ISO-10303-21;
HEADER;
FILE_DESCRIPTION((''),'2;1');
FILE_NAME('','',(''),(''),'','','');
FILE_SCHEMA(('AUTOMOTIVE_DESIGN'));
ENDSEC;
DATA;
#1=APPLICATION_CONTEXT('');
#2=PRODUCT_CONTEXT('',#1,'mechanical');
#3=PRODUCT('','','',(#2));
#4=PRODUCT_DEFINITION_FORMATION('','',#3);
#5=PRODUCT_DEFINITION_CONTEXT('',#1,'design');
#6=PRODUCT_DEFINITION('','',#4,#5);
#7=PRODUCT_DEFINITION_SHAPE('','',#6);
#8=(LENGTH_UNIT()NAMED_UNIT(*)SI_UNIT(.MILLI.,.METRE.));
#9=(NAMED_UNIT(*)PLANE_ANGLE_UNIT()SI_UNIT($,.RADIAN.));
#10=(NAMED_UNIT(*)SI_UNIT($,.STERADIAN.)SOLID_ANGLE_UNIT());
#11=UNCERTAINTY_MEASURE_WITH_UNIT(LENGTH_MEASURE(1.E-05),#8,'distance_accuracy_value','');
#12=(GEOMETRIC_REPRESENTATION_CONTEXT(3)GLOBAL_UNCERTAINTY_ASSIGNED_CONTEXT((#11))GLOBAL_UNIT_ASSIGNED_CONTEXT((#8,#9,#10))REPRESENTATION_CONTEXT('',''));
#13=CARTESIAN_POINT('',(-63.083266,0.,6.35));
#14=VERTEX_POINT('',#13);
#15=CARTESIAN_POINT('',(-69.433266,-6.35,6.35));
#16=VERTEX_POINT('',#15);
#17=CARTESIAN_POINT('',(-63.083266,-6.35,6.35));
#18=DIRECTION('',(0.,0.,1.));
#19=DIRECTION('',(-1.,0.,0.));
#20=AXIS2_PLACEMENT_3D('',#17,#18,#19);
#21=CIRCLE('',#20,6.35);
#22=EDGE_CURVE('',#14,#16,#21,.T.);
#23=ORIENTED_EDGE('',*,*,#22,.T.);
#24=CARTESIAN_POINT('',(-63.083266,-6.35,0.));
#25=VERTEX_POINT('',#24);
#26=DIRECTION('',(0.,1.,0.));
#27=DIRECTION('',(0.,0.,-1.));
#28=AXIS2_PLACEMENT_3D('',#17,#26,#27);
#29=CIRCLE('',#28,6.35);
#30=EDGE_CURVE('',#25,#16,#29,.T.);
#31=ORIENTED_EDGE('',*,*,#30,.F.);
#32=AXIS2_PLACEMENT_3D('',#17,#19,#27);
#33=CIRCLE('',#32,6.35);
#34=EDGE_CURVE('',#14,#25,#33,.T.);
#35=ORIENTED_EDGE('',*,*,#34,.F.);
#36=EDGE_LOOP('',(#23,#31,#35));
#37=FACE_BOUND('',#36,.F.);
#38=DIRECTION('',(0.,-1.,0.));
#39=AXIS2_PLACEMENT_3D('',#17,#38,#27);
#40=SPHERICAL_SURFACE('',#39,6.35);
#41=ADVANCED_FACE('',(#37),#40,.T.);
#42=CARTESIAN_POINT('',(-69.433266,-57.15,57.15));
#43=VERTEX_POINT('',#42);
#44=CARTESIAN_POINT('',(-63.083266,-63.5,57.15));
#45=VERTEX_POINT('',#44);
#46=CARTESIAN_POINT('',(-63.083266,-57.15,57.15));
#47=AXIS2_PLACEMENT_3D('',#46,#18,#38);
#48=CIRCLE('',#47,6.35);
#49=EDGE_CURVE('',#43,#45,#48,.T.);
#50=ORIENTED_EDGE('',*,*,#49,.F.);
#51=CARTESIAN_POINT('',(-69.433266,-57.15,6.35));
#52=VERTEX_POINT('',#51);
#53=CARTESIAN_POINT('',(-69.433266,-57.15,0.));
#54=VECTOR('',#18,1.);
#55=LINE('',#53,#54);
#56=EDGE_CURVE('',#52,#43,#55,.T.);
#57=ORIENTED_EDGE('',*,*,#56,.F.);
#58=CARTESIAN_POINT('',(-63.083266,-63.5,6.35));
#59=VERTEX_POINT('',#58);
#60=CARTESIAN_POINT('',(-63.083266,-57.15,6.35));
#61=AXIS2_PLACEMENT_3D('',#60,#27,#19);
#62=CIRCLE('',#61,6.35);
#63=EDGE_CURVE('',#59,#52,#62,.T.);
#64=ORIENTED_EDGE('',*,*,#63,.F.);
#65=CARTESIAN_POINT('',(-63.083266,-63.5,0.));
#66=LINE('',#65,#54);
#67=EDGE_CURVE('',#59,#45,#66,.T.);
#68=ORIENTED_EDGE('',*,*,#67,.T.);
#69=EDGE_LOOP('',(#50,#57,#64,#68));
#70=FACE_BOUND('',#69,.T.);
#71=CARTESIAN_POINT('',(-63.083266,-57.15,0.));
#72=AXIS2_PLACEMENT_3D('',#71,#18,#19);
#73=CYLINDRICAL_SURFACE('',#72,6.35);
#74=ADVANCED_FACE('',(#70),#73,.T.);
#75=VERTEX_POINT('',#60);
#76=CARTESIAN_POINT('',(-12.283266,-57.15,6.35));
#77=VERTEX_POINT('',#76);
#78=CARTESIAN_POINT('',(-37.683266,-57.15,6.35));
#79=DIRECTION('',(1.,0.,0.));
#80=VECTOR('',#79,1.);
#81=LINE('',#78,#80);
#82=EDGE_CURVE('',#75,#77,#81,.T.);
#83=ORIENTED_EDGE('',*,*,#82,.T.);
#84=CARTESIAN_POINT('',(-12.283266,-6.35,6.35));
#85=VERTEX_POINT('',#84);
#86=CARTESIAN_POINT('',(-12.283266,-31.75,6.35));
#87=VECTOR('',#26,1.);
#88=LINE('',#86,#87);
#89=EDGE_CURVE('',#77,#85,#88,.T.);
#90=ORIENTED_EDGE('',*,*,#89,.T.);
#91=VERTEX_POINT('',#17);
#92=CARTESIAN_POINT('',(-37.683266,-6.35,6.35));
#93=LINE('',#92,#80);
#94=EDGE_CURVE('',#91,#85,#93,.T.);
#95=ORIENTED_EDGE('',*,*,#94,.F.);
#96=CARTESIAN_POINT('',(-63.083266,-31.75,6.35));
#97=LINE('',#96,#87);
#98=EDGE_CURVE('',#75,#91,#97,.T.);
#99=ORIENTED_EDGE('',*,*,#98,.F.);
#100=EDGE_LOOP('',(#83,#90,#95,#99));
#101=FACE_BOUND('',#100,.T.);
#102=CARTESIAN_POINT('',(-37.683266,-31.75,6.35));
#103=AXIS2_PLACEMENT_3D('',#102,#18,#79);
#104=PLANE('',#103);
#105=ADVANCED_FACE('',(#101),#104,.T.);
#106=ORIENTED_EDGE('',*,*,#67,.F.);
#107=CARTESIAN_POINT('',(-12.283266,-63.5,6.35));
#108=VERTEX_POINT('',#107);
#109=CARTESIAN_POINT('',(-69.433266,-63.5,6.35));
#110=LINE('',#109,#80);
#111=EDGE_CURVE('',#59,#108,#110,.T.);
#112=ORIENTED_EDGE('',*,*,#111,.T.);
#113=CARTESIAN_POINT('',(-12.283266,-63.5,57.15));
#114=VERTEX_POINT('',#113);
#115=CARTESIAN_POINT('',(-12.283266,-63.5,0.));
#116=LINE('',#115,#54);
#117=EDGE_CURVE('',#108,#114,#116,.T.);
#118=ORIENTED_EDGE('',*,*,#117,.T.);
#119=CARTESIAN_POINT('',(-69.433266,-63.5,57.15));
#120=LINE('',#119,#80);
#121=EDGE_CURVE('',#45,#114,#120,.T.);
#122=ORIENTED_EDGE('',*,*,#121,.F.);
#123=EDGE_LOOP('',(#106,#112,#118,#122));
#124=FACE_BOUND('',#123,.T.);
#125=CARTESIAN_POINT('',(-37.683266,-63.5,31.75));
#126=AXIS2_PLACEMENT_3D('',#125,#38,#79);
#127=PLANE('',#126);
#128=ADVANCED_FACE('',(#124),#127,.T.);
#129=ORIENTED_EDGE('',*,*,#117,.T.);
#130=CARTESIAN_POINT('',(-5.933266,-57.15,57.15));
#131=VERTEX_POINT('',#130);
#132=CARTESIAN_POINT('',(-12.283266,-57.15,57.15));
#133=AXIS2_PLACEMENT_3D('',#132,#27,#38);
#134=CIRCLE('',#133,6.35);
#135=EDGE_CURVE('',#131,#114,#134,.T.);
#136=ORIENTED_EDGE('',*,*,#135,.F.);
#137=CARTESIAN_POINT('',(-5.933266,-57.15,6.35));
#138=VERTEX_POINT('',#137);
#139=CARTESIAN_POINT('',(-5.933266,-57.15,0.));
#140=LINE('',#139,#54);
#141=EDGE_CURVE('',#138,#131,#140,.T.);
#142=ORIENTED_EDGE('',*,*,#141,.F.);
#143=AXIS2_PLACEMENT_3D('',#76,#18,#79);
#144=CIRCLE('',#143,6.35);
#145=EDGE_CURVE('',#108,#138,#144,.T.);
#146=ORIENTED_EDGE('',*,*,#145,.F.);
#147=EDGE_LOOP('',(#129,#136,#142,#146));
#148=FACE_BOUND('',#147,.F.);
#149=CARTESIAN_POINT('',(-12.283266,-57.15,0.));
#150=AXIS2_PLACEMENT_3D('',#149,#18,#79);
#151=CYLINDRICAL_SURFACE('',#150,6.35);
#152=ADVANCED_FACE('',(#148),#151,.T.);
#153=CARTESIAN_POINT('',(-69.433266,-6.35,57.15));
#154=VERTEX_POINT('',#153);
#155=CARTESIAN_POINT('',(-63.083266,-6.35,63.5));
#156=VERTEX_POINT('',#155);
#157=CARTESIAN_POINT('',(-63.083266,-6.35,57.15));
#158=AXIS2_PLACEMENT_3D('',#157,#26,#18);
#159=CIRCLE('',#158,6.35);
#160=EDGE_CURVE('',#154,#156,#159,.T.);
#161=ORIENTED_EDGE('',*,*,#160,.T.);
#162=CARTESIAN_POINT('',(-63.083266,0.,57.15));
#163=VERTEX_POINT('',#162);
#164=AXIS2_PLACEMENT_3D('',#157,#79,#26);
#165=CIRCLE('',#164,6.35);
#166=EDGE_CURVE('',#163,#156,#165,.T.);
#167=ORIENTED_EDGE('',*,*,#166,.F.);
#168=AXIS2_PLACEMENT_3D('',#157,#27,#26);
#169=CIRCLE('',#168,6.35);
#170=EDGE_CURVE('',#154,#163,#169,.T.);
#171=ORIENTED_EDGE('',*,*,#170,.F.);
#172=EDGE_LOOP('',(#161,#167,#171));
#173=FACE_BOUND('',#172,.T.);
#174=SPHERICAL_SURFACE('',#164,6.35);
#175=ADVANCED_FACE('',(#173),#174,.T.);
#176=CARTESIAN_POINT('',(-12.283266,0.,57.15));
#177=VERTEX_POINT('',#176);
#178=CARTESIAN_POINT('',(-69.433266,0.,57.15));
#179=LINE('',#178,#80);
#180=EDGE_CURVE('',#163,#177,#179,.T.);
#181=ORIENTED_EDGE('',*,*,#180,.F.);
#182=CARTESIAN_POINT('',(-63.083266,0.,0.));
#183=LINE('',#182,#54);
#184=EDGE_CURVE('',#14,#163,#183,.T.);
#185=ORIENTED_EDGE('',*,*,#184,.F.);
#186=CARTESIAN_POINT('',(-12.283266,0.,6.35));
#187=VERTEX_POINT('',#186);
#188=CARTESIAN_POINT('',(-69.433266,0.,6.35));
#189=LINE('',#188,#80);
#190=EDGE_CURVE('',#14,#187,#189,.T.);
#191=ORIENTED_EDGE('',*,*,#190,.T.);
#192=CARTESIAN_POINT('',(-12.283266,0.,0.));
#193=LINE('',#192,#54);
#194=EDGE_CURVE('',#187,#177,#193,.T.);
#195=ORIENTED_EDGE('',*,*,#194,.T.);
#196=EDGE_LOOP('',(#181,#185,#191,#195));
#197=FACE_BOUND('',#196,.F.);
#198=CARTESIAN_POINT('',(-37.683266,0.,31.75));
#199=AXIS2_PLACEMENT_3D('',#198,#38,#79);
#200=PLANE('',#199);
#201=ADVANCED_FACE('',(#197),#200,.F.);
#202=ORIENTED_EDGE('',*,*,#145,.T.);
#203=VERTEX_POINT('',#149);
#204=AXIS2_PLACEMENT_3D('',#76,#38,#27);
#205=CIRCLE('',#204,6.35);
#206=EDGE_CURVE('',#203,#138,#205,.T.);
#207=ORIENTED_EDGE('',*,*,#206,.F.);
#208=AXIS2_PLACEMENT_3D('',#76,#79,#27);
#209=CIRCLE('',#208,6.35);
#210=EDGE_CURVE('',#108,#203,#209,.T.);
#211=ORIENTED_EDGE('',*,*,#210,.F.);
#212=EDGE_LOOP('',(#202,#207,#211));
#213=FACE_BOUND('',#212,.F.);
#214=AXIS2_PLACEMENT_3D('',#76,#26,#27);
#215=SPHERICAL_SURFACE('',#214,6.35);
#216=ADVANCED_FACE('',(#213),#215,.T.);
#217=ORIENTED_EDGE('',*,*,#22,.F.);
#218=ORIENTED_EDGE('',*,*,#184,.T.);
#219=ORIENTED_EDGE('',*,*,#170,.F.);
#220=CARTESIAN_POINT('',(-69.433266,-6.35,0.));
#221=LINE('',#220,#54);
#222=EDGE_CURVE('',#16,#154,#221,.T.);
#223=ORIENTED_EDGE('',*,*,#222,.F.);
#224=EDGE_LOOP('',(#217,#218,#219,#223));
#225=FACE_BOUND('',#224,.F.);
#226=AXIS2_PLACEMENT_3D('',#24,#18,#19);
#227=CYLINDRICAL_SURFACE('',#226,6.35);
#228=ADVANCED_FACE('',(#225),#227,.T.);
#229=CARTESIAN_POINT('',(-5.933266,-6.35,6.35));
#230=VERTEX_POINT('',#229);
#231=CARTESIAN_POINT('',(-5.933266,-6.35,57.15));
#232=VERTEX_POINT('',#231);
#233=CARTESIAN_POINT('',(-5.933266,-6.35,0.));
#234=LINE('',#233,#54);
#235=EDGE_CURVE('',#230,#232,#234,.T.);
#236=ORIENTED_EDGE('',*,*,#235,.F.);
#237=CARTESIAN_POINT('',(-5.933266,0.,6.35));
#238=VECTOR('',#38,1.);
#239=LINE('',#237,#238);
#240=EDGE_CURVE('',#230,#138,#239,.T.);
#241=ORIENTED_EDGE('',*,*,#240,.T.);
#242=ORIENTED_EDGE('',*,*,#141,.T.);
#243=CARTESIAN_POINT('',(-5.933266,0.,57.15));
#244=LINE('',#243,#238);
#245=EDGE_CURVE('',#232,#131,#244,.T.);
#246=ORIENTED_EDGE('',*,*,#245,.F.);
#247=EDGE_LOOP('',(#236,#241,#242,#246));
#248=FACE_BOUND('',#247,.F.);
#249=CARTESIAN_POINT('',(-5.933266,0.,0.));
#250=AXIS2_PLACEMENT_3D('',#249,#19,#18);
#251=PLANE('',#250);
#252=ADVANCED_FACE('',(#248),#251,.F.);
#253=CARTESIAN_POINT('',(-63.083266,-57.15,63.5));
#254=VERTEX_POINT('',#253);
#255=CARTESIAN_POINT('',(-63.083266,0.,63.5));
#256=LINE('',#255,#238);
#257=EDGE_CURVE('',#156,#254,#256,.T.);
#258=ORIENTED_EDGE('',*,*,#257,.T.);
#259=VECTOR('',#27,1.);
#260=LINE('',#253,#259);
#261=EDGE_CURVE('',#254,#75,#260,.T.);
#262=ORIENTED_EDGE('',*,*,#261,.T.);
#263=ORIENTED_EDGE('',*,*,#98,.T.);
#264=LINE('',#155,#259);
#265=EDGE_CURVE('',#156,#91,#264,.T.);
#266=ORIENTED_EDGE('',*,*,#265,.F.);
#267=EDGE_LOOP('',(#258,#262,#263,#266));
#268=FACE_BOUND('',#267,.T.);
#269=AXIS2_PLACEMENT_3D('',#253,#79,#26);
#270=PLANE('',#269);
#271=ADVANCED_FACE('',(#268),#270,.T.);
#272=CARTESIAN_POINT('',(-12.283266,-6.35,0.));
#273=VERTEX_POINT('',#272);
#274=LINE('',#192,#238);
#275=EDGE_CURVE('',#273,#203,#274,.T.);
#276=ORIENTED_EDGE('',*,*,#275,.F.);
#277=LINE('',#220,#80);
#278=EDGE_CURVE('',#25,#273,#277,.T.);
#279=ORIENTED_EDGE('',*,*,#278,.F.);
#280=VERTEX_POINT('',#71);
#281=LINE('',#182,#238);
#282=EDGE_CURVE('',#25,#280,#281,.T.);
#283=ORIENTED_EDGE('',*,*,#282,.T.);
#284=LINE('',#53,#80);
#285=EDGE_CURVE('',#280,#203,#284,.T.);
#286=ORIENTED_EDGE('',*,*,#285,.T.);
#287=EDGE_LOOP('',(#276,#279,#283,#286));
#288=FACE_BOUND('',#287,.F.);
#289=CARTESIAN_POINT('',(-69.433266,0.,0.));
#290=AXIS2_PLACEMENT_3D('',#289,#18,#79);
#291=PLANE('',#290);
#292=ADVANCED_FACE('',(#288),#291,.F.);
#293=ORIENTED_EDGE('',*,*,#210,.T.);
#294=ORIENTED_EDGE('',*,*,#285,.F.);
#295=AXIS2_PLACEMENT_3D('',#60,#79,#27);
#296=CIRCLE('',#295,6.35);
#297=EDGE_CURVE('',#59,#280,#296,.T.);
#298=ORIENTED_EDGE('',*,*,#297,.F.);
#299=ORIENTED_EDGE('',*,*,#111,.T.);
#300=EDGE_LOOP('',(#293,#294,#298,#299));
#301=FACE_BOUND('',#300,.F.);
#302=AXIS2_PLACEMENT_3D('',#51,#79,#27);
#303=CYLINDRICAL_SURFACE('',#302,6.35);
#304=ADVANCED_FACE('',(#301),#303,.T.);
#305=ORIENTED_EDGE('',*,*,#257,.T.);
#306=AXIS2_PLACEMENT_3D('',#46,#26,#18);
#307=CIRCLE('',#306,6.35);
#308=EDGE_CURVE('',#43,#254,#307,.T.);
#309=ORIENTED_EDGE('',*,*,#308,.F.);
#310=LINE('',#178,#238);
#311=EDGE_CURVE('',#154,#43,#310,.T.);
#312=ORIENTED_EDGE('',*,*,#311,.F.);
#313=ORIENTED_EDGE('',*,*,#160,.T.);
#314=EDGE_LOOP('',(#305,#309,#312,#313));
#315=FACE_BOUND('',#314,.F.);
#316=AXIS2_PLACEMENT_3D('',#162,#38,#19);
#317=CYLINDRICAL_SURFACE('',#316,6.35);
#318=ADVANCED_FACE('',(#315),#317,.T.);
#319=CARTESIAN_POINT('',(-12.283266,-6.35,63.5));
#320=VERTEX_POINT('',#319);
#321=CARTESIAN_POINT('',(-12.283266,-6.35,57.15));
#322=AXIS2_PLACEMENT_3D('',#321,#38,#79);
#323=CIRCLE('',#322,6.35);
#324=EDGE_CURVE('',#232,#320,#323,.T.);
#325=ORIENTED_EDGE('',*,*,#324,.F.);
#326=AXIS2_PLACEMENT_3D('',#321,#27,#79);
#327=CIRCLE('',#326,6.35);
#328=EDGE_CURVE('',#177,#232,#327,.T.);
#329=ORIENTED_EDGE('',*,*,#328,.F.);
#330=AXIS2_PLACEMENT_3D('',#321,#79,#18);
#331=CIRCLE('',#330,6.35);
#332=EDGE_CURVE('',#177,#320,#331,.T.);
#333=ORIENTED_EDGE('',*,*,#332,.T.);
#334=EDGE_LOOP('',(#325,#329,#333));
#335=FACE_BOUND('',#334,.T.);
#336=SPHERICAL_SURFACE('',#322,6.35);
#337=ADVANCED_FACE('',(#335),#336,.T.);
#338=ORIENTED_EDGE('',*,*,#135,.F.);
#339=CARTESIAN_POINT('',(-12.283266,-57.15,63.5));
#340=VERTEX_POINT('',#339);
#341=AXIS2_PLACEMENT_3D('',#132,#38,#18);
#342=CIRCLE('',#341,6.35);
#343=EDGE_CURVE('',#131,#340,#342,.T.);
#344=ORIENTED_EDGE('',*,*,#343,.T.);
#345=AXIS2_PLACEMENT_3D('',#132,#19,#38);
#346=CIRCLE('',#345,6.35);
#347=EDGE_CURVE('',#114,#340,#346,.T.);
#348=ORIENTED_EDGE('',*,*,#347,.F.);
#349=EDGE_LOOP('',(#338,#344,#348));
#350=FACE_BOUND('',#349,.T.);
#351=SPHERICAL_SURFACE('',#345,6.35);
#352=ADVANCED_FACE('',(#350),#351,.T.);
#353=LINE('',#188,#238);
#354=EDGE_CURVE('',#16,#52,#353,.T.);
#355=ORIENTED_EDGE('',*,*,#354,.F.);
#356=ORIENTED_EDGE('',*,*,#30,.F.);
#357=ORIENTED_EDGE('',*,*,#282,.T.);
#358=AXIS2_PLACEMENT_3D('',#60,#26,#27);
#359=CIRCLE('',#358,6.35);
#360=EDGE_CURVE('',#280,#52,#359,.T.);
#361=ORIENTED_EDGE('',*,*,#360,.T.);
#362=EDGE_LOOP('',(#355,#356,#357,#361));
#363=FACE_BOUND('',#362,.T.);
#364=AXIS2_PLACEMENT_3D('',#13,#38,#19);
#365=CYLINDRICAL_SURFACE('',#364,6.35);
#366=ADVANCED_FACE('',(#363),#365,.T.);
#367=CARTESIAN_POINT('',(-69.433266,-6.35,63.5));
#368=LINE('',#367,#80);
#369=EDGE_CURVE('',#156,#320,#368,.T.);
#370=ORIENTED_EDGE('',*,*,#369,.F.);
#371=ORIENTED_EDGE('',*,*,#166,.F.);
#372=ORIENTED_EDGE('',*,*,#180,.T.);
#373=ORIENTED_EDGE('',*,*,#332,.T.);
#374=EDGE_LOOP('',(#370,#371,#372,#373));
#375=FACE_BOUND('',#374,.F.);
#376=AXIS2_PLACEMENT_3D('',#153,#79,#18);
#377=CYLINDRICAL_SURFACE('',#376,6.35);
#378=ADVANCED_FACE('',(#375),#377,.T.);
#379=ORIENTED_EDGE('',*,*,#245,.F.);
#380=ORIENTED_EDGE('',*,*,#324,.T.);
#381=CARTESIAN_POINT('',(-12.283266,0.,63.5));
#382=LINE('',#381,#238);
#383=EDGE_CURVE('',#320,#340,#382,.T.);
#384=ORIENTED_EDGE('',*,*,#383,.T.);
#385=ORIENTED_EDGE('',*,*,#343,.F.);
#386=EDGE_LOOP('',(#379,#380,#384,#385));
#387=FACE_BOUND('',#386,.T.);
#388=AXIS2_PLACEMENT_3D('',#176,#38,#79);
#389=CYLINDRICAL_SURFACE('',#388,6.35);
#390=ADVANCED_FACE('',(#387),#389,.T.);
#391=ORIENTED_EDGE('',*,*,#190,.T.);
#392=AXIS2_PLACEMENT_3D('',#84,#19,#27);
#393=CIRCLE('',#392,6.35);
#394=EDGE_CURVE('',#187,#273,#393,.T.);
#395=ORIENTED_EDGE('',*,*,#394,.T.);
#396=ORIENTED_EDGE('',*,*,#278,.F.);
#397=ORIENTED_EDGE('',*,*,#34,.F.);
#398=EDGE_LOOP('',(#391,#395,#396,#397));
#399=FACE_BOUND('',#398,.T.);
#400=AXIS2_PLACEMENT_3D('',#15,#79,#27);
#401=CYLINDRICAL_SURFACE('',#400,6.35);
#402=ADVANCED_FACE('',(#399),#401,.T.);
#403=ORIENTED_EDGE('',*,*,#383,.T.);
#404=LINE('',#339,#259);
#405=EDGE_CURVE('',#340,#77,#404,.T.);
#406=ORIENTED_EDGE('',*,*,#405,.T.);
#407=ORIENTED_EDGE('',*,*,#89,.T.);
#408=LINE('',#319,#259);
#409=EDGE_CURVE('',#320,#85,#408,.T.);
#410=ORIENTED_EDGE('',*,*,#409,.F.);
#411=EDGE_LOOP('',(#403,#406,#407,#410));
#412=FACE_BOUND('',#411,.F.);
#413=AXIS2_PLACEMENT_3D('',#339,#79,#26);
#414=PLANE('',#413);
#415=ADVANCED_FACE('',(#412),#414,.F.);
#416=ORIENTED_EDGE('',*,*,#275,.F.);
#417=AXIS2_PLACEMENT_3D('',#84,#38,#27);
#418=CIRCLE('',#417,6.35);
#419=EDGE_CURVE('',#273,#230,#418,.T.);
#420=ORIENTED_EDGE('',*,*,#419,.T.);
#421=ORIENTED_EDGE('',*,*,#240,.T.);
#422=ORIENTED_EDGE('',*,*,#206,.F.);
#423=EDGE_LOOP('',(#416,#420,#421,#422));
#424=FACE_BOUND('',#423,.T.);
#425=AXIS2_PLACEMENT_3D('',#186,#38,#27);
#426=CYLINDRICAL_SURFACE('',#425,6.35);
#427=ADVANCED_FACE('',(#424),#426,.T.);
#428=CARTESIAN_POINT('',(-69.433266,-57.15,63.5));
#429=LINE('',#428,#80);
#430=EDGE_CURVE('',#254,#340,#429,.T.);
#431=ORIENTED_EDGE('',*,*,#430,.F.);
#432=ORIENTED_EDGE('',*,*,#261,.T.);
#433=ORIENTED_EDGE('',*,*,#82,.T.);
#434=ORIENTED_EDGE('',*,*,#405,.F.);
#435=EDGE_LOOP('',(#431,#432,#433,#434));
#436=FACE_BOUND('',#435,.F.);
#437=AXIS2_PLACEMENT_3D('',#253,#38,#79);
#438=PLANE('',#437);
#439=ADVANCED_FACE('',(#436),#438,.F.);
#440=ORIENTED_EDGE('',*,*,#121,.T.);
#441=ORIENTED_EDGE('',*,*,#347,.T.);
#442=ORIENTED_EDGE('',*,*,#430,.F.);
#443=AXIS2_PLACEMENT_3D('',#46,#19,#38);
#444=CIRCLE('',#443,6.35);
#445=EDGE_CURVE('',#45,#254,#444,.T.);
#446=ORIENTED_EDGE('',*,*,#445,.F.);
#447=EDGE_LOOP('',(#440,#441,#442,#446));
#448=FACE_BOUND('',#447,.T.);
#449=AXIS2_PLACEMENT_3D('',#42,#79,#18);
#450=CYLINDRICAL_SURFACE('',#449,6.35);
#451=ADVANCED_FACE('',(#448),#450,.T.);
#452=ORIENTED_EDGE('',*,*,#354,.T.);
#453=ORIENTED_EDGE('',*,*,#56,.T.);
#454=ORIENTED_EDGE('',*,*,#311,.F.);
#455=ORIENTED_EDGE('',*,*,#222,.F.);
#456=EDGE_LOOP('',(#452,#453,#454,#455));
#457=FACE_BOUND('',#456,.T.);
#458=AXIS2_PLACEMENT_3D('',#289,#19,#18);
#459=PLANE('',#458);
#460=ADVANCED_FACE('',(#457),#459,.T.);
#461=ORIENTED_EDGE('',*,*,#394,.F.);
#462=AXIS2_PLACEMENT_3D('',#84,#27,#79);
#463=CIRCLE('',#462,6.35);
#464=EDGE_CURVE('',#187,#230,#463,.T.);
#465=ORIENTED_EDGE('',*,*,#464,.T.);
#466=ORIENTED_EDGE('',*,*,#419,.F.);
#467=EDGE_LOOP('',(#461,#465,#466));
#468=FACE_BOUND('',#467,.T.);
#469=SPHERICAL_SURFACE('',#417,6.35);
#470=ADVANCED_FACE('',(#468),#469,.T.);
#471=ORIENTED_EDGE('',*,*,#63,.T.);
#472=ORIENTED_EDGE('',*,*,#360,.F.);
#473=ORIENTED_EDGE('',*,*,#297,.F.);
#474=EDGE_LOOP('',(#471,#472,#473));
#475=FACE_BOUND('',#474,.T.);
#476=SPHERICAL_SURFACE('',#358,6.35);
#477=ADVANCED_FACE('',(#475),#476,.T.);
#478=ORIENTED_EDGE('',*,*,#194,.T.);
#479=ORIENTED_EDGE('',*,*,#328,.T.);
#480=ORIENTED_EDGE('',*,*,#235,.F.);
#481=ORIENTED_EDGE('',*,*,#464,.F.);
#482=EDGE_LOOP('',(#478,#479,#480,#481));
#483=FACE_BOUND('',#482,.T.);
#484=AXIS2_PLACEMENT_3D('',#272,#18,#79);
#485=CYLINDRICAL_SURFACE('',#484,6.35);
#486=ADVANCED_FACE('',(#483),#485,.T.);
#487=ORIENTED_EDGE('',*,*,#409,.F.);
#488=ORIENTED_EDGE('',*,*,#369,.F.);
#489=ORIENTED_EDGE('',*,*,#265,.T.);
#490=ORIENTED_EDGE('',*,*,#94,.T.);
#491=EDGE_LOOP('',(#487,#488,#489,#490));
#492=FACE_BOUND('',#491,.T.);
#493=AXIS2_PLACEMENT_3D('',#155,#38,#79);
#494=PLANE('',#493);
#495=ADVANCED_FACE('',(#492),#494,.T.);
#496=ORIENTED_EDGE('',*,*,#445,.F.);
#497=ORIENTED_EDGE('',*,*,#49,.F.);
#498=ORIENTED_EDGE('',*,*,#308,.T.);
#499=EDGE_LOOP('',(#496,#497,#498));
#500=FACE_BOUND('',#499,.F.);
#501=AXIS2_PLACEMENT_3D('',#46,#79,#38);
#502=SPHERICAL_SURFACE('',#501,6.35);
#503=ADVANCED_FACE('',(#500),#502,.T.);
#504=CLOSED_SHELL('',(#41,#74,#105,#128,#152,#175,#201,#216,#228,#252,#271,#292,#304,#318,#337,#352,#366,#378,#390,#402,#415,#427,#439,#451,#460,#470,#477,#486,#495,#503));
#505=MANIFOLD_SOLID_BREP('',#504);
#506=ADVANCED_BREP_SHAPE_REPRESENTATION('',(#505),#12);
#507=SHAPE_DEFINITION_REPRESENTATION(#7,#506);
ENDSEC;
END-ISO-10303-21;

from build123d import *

# Parameters (mm, degrees)
F0_W     = 63.5
F0_H     = 63.5
F1_DEPTH = 63.5
F2_R     = 6.35
F3_W     = 50.8
F3_H     = 50.8
F4_DEPTH = 57.15


with BuildPart() as f1:
    # F0 (on Front) → F1 (new body)
    with BuildSketch(Plane.XZ):
        with Locations((-37.683266, 31.75)):
            Rectangle(F0_W, F0_H)
    extrude(amount=F1_DEPTH)

    # F2
    f2_edges = [f1.edges().sort_by_distance(p)[0] for p in [
        (-69.433266, -31.75, 0),
        (-5.933266, -31.75, 0),
        (-37.683266, 0, 0),
        (-37.683266, -63.5, 0),
        (-37.683266, -63.5, 63.5),
        (-69.433266, -63.5, 31.75),
        (-5.933266, -63.5, 31.75),
        (-5.933266, -31.75, 63.5),
        (-5.933266, 0, 31.75),
        (-37.683266, 0, 63.5),
        (-69.433266, 0, 31.75),
        (-69.433266, -31.75, 63.5),
    ]]
    fillet(f2_edges, radius=F2_R)

    # F3 (on face) → F4 (cut)
    with BuildSketch(Plane.XY.offset(63.5)):
        with Locations((-37.683266, -31.75)):
            Rectangle(F3_W, F3_H)
    extrude(amount=-F4_DEPTH, mode=Mode.SUBTRACT)


solid = f1.part
